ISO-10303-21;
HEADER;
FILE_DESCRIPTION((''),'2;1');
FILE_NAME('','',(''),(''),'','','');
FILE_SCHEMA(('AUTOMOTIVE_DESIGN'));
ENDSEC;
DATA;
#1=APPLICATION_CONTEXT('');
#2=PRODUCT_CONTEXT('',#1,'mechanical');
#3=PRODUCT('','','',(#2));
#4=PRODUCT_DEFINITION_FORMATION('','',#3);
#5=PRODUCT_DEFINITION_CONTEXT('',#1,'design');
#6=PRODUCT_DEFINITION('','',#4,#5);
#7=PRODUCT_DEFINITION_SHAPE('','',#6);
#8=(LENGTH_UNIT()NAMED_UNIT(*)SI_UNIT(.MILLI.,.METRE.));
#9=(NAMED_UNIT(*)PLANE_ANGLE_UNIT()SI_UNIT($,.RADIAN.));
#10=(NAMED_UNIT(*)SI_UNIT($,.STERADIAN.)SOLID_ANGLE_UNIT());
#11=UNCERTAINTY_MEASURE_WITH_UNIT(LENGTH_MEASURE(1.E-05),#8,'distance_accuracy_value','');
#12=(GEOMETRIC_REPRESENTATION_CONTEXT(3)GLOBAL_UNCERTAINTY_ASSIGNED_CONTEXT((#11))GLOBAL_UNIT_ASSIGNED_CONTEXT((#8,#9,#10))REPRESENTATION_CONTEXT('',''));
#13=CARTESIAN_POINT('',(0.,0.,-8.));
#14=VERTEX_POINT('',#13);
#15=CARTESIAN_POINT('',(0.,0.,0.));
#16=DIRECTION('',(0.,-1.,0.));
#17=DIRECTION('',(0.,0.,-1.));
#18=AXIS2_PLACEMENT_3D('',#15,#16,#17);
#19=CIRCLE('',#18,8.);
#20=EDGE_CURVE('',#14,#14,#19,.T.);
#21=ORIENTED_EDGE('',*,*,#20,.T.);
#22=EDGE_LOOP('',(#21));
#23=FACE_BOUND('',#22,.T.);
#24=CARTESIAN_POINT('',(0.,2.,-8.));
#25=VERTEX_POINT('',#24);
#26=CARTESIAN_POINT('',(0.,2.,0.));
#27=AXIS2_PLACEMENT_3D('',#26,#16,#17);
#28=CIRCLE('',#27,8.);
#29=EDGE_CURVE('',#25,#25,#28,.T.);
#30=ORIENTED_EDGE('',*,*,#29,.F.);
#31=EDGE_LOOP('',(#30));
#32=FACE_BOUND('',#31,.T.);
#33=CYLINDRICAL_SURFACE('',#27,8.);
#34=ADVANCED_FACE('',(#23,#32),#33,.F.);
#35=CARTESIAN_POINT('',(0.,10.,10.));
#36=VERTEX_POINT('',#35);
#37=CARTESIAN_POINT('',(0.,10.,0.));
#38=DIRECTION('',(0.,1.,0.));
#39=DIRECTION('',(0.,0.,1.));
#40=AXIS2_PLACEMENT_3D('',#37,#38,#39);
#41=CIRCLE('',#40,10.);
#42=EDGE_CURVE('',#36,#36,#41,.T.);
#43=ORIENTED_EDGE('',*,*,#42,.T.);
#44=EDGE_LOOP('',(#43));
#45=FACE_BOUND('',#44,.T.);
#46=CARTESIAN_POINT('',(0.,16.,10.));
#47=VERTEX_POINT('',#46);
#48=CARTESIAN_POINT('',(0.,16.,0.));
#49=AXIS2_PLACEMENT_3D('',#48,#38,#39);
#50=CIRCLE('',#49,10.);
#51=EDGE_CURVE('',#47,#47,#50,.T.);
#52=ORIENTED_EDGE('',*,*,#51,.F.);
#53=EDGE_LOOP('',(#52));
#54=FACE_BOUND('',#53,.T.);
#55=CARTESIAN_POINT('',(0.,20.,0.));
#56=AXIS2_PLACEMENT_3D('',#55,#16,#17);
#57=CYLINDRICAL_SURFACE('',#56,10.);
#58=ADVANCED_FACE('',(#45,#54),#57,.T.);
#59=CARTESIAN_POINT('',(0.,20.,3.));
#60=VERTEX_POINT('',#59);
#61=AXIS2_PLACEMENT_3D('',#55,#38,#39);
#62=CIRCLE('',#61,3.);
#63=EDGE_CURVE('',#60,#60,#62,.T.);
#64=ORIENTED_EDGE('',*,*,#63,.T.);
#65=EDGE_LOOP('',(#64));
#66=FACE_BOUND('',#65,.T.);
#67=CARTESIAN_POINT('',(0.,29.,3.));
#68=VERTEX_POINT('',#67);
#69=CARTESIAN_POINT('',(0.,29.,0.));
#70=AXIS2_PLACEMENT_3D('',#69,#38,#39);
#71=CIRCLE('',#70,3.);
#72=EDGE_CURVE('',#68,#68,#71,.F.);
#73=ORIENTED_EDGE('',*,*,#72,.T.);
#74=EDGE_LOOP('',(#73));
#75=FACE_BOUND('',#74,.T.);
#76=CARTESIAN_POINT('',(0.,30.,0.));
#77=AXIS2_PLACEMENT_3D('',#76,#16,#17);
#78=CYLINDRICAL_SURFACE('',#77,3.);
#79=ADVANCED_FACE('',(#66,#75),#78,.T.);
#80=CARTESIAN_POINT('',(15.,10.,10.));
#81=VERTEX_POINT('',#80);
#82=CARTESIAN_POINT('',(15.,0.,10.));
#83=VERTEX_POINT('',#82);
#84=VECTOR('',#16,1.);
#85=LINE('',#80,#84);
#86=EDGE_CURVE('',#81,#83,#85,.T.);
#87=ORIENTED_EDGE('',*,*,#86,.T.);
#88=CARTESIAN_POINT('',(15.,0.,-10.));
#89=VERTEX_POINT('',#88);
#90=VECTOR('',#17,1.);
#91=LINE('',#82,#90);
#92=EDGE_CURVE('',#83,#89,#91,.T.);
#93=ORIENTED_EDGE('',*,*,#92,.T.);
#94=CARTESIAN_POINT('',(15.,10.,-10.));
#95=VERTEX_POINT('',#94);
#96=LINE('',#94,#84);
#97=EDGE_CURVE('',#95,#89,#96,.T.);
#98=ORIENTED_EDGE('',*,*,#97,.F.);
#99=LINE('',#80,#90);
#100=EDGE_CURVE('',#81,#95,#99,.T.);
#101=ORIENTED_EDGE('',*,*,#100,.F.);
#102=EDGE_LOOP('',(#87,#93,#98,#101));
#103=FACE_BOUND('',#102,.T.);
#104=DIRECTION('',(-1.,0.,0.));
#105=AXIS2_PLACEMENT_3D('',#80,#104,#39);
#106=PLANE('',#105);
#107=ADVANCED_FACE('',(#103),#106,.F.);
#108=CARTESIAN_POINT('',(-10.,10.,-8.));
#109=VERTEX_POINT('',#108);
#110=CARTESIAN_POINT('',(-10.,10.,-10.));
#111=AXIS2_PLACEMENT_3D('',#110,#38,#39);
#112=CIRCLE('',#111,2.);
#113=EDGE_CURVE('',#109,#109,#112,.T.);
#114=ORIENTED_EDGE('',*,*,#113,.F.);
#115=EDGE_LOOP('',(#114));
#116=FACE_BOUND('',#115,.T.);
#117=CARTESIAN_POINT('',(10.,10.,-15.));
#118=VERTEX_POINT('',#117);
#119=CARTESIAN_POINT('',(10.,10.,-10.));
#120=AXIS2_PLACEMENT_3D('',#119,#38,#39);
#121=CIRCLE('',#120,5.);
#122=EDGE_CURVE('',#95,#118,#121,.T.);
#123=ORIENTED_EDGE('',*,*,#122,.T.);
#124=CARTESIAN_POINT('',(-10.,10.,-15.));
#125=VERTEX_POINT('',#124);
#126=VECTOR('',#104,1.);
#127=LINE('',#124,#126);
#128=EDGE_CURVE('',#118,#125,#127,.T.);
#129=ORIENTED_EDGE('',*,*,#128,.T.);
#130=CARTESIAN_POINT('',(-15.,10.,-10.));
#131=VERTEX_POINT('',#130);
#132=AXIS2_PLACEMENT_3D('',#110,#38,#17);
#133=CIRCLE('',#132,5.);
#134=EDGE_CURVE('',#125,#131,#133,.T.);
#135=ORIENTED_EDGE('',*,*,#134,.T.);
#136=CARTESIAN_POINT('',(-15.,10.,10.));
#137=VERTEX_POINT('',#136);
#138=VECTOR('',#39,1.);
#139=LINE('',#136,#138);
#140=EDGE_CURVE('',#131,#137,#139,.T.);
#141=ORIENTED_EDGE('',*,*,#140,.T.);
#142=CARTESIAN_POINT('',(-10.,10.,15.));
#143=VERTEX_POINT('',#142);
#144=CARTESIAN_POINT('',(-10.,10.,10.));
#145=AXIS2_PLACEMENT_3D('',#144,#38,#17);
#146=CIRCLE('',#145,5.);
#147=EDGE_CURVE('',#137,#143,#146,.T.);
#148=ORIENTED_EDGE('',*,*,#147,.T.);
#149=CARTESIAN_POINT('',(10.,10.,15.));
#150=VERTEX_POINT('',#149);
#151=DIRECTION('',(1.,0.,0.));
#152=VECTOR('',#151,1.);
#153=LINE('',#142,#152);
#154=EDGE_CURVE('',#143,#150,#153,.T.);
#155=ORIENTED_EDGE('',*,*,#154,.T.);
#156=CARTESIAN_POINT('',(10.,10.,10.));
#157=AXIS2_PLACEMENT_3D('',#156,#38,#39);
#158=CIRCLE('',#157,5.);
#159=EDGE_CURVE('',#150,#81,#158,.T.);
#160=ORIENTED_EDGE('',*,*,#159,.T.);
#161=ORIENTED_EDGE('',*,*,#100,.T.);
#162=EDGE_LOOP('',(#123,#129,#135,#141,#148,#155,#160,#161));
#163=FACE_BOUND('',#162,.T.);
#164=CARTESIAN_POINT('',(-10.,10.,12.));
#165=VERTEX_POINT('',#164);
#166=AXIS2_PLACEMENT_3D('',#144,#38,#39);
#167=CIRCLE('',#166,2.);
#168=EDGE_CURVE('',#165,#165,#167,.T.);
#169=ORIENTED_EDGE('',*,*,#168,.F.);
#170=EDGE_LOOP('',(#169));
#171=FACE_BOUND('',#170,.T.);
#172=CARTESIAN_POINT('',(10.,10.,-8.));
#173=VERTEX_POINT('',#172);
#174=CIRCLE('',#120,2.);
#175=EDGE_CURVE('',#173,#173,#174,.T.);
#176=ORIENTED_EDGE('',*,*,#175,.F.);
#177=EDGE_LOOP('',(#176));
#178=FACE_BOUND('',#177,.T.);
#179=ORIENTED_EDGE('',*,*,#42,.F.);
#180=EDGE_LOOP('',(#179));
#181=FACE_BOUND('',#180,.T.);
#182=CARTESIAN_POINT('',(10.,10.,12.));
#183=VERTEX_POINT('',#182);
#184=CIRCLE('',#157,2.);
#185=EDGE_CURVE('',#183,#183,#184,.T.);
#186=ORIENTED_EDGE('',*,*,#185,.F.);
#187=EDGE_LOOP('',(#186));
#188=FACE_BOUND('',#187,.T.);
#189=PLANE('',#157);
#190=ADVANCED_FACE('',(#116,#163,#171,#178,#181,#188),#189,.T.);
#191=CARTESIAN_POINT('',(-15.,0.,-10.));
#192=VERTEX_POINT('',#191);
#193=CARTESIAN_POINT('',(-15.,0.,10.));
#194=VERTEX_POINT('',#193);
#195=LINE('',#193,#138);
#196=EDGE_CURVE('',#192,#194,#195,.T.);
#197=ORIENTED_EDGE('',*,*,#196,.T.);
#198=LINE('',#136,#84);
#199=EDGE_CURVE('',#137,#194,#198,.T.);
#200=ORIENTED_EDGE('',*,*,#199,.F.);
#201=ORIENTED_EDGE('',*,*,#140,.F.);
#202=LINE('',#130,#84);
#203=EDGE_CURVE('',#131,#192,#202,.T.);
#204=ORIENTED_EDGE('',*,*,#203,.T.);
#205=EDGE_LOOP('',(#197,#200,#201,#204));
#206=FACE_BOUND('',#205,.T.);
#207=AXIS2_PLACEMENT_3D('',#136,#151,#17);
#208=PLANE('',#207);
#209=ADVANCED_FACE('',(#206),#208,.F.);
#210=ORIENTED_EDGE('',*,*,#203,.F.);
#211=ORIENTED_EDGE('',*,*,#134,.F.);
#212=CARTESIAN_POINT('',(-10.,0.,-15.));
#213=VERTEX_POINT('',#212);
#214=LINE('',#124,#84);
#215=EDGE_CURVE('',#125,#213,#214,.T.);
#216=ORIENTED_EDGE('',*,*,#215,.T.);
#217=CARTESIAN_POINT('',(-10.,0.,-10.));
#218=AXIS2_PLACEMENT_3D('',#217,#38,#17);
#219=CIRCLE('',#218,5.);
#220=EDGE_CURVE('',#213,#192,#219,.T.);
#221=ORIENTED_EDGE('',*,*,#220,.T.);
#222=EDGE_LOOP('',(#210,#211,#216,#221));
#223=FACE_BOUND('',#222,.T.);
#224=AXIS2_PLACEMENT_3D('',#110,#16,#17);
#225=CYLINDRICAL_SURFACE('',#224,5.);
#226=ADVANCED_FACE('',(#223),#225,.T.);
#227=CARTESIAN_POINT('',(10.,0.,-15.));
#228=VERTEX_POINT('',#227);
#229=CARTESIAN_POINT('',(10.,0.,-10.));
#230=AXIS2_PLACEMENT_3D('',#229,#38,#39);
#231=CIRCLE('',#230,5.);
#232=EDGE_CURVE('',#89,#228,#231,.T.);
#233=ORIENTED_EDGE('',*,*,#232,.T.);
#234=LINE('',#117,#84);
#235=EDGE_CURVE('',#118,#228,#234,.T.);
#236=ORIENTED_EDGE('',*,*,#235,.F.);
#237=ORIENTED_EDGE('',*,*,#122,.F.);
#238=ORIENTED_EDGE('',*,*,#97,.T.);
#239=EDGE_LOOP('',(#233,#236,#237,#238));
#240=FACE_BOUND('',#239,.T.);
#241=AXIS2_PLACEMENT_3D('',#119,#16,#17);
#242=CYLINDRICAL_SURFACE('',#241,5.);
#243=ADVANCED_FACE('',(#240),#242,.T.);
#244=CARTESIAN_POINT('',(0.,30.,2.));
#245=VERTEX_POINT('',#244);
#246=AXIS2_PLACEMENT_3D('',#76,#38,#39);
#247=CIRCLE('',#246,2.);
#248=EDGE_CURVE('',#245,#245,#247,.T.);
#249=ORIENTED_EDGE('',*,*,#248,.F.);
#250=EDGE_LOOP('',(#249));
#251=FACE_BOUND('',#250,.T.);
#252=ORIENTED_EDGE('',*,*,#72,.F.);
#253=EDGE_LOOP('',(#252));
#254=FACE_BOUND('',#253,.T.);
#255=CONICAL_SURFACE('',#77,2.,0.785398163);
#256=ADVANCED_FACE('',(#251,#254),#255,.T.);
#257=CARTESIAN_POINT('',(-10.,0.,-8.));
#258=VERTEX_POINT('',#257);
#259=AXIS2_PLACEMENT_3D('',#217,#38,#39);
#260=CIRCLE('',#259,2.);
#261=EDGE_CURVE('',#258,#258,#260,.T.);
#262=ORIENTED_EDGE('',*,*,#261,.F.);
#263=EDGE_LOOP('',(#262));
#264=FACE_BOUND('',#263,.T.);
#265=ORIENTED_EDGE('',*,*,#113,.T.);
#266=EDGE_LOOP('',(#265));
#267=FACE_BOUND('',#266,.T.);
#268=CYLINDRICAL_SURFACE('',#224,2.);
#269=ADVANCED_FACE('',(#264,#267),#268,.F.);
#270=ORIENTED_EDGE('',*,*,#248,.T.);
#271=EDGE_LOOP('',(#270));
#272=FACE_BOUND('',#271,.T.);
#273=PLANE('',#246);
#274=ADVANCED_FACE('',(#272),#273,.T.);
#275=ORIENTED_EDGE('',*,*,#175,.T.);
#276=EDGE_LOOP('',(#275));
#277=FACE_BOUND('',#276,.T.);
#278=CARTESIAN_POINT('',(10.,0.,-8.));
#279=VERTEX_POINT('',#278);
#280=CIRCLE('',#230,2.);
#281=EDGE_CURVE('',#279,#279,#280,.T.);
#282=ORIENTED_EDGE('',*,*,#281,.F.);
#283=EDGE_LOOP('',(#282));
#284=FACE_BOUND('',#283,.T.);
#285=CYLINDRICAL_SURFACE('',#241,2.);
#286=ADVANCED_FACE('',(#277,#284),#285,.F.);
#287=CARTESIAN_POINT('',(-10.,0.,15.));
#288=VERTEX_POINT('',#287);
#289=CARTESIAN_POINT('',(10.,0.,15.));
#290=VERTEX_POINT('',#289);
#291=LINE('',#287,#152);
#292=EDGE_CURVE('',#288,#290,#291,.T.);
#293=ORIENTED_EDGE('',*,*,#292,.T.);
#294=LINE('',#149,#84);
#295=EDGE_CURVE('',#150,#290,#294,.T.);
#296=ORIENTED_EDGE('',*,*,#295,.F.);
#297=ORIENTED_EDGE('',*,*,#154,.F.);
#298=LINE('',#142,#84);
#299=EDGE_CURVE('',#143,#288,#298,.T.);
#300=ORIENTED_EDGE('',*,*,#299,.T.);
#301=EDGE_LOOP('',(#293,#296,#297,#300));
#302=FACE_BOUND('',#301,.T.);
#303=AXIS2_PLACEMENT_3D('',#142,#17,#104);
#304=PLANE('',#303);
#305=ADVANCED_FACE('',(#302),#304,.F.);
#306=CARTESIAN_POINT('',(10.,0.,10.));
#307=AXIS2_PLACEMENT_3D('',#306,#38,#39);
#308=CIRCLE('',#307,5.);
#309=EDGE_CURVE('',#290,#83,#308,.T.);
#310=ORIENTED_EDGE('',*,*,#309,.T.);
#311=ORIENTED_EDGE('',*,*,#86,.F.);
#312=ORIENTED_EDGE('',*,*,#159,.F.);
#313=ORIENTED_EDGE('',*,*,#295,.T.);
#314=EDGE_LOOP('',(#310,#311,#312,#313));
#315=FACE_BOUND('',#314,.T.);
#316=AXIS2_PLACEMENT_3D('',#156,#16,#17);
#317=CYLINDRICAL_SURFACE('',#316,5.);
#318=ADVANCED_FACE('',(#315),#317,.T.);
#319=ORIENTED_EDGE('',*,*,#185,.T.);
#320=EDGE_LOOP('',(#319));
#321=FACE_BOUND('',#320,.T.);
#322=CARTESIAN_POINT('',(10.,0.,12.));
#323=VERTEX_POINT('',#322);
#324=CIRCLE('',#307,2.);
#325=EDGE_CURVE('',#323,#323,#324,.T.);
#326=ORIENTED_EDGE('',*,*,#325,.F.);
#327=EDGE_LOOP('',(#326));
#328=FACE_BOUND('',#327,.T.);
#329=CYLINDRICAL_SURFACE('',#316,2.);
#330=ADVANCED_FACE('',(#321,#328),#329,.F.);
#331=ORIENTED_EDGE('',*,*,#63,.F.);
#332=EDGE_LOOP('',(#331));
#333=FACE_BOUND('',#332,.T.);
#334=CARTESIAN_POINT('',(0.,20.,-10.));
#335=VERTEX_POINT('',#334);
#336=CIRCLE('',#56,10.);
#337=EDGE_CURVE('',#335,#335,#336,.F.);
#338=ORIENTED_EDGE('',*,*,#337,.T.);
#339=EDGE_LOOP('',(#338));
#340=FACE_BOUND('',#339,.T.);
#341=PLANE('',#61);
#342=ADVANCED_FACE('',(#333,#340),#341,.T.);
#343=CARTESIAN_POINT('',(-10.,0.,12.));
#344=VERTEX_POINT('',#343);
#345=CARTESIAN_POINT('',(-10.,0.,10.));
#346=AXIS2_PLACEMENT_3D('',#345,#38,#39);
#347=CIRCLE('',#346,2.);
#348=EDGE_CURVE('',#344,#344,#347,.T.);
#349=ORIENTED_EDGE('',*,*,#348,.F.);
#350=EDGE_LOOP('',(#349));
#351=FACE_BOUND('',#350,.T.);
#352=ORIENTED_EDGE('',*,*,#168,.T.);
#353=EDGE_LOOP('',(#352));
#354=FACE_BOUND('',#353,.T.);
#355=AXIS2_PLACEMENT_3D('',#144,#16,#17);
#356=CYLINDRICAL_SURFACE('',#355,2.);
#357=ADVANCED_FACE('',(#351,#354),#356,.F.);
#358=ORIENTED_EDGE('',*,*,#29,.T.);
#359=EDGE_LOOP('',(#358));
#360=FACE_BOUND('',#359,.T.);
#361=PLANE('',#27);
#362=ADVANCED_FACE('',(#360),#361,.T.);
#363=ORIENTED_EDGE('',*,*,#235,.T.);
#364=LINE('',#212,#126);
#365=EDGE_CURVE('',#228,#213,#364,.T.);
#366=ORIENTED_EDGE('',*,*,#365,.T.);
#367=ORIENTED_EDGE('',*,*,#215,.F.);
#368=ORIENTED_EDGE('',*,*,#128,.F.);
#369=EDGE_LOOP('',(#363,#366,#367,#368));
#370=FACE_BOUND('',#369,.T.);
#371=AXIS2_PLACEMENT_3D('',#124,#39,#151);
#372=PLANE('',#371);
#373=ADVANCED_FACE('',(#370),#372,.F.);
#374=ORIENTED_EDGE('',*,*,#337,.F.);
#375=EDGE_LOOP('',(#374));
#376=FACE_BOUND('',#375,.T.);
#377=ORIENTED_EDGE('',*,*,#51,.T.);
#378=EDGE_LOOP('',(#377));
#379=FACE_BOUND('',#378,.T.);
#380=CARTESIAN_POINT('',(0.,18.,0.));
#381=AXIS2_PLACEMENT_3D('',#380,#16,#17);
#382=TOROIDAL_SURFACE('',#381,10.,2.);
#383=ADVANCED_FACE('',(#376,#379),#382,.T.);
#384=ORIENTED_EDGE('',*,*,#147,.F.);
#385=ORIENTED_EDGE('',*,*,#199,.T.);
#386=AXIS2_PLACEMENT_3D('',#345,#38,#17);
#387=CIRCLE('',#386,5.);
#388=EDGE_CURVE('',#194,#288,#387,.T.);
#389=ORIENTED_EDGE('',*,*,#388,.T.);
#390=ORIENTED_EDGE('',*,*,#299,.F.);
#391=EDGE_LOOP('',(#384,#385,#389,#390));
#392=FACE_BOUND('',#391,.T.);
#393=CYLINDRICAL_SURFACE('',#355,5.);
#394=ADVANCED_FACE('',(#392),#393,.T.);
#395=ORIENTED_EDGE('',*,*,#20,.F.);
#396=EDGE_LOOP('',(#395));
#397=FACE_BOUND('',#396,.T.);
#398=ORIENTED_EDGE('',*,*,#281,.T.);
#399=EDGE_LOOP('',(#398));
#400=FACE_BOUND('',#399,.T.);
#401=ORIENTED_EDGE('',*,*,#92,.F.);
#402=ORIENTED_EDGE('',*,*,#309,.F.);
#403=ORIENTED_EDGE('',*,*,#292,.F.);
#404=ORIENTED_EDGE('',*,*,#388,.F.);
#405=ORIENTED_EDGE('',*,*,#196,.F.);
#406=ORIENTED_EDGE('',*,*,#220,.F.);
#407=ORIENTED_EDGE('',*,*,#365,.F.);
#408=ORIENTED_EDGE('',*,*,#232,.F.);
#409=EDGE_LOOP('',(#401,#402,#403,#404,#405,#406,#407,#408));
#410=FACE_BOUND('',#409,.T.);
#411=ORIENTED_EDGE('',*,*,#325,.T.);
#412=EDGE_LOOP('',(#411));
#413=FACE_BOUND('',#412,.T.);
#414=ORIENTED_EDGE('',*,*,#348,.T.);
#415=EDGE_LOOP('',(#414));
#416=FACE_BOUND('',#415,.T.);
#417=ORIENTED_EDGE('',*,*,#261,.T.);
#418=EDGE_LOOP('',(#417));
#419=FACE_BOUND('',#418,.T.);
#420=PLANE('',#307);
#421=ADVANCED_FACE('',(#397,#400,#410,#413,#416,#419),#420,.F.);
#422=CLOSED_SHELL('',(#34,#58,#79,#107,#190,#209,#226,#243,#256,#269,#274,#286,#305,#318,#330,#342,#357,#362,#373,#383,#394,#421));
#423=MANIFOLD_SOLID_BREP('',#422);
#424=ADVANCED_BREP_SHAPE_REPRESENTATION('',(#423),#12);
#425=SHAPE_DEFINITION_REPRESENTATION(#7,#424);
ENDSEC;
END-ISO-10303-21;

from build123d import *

# Parameters (mm, degrees)
SKETCH1_R           = 2
BOSS_EXTRUDE1_DEPTH = 10
SKETCH2_R           = 10
BOSS_EXTRUDE2_DEPTH = 10
SKETCH3_R           = 2
SKETCH4_R           = 3
BOSS_EXTRUDE3_DEPTH = 10
CHAMFER1_SIZE       = 1
SKETCH5_R           = 8
CUT_EXTRUDE1_DEPTH  = 2


with BuildPart() as part:
    # Sketch1 → Boss-Extrude1 (new body)
    with BuildSketch(Plane(origin=(0, 0, 0), x_dir=(1, 0, 0), z_dir=(0, 1, 0))):
        with BuildLine():
            Line((-10, -15), (10, -15))
            ThreePointArc((10, -15), (13.535533906, -13.535533906), (15, -10))
            Line((15, -10), (15, 10))
            ThreePointArc((15, 10), (13.535533906, 13.535533906), (10, 15))
            Line((10, 15), (-10, 15))
            ThreePointArc((-10, 15), (-13.535533906, 13.535533906), (-15, 10))
            Line((-15, 10), (-15, -10))
            ThreePointArc((-15, -10), (-13.535533906, -13.535533906), (-10, -15))
        make_face()
        with Locations(Location((-10, 10, 0), (0, 0, 270))):
            Circle(SKETCH1_R, mode=Mode.SUBTRACT)
        with Locations(Location((10, 10, 0), (0, 0, 270))):
            Circle(SKETCH1_R, mode=Mode.SUBTRACT)
        with Locations(Location((-10, -10, 0), (0, 0, 270))):
            Circle(SKETCH1_R, mode=Mode.SUBTRACT)
        with Locations(Location((10, -10, 0), (0, 0, 270))):
            Circle(SKETCH1_R, mode=Mode.SUBTRACT)
    extrude(amount=BOSS_EXTRUDE1_DEPTH)

    # Sketch2 → Boss-Extrude2 (add)
    with BuildSketch(Plane(origin=(0, 10, 0), x_dir=(1, 0, 0), z_dir=(0, 1, 0))):
        with Locations(Location((0, 0, 0), (0, 0, 270))):
            Circle(SKETCH2_R)
    extrude(amount=BOSS_EXTRUDE2_DEPTH)

    # Sketch3 → Revolve1 (revolve)
    with BuildSketch(Plane(origin=(0, 0, 0), x_dir=(0, 0, -1), z_dir=(1, 0, 0))):
        with Locations((-10, 18)):
            Circle(SKETCH3_R)
    revolve(axis=Axis((0, 0, 0), (0, 1, 0)))

    # Sketch4 → Boss-Extrude3 (add)
    with BuildSketch(Plane(origin=(0, 20, 0), x_dir=(1, 0, 0), z_dir=(0, 1, 0))):
        with Locations(Location((0, 0, 0), (0, 0, 270))):
            Circle(SKETCH4_R)
    extrude(amount=BOSS_EXTRUDE3_DEPTH)

    # Chamfer1
    chamfer1_edges = [part.edges().sort_by_distance(p)[0] for p in [
        (0, 30, -3),
    ]]
    chamfer(chamfer1_edges, length=CHAMFER1_SIZE)

    # Sketch5 → Cut-Extrude1 (cut)
    with BuildSketch(Plane.XZ):
        with Locations(Location((0, 0, 0), (0, 0, 270))):
            Circle(SKETCH5_R)
    extrude(amount=-CUT_EXTRUDE1_DEPTH, mode=Mode.SUBTRACT)


solid = part.part
